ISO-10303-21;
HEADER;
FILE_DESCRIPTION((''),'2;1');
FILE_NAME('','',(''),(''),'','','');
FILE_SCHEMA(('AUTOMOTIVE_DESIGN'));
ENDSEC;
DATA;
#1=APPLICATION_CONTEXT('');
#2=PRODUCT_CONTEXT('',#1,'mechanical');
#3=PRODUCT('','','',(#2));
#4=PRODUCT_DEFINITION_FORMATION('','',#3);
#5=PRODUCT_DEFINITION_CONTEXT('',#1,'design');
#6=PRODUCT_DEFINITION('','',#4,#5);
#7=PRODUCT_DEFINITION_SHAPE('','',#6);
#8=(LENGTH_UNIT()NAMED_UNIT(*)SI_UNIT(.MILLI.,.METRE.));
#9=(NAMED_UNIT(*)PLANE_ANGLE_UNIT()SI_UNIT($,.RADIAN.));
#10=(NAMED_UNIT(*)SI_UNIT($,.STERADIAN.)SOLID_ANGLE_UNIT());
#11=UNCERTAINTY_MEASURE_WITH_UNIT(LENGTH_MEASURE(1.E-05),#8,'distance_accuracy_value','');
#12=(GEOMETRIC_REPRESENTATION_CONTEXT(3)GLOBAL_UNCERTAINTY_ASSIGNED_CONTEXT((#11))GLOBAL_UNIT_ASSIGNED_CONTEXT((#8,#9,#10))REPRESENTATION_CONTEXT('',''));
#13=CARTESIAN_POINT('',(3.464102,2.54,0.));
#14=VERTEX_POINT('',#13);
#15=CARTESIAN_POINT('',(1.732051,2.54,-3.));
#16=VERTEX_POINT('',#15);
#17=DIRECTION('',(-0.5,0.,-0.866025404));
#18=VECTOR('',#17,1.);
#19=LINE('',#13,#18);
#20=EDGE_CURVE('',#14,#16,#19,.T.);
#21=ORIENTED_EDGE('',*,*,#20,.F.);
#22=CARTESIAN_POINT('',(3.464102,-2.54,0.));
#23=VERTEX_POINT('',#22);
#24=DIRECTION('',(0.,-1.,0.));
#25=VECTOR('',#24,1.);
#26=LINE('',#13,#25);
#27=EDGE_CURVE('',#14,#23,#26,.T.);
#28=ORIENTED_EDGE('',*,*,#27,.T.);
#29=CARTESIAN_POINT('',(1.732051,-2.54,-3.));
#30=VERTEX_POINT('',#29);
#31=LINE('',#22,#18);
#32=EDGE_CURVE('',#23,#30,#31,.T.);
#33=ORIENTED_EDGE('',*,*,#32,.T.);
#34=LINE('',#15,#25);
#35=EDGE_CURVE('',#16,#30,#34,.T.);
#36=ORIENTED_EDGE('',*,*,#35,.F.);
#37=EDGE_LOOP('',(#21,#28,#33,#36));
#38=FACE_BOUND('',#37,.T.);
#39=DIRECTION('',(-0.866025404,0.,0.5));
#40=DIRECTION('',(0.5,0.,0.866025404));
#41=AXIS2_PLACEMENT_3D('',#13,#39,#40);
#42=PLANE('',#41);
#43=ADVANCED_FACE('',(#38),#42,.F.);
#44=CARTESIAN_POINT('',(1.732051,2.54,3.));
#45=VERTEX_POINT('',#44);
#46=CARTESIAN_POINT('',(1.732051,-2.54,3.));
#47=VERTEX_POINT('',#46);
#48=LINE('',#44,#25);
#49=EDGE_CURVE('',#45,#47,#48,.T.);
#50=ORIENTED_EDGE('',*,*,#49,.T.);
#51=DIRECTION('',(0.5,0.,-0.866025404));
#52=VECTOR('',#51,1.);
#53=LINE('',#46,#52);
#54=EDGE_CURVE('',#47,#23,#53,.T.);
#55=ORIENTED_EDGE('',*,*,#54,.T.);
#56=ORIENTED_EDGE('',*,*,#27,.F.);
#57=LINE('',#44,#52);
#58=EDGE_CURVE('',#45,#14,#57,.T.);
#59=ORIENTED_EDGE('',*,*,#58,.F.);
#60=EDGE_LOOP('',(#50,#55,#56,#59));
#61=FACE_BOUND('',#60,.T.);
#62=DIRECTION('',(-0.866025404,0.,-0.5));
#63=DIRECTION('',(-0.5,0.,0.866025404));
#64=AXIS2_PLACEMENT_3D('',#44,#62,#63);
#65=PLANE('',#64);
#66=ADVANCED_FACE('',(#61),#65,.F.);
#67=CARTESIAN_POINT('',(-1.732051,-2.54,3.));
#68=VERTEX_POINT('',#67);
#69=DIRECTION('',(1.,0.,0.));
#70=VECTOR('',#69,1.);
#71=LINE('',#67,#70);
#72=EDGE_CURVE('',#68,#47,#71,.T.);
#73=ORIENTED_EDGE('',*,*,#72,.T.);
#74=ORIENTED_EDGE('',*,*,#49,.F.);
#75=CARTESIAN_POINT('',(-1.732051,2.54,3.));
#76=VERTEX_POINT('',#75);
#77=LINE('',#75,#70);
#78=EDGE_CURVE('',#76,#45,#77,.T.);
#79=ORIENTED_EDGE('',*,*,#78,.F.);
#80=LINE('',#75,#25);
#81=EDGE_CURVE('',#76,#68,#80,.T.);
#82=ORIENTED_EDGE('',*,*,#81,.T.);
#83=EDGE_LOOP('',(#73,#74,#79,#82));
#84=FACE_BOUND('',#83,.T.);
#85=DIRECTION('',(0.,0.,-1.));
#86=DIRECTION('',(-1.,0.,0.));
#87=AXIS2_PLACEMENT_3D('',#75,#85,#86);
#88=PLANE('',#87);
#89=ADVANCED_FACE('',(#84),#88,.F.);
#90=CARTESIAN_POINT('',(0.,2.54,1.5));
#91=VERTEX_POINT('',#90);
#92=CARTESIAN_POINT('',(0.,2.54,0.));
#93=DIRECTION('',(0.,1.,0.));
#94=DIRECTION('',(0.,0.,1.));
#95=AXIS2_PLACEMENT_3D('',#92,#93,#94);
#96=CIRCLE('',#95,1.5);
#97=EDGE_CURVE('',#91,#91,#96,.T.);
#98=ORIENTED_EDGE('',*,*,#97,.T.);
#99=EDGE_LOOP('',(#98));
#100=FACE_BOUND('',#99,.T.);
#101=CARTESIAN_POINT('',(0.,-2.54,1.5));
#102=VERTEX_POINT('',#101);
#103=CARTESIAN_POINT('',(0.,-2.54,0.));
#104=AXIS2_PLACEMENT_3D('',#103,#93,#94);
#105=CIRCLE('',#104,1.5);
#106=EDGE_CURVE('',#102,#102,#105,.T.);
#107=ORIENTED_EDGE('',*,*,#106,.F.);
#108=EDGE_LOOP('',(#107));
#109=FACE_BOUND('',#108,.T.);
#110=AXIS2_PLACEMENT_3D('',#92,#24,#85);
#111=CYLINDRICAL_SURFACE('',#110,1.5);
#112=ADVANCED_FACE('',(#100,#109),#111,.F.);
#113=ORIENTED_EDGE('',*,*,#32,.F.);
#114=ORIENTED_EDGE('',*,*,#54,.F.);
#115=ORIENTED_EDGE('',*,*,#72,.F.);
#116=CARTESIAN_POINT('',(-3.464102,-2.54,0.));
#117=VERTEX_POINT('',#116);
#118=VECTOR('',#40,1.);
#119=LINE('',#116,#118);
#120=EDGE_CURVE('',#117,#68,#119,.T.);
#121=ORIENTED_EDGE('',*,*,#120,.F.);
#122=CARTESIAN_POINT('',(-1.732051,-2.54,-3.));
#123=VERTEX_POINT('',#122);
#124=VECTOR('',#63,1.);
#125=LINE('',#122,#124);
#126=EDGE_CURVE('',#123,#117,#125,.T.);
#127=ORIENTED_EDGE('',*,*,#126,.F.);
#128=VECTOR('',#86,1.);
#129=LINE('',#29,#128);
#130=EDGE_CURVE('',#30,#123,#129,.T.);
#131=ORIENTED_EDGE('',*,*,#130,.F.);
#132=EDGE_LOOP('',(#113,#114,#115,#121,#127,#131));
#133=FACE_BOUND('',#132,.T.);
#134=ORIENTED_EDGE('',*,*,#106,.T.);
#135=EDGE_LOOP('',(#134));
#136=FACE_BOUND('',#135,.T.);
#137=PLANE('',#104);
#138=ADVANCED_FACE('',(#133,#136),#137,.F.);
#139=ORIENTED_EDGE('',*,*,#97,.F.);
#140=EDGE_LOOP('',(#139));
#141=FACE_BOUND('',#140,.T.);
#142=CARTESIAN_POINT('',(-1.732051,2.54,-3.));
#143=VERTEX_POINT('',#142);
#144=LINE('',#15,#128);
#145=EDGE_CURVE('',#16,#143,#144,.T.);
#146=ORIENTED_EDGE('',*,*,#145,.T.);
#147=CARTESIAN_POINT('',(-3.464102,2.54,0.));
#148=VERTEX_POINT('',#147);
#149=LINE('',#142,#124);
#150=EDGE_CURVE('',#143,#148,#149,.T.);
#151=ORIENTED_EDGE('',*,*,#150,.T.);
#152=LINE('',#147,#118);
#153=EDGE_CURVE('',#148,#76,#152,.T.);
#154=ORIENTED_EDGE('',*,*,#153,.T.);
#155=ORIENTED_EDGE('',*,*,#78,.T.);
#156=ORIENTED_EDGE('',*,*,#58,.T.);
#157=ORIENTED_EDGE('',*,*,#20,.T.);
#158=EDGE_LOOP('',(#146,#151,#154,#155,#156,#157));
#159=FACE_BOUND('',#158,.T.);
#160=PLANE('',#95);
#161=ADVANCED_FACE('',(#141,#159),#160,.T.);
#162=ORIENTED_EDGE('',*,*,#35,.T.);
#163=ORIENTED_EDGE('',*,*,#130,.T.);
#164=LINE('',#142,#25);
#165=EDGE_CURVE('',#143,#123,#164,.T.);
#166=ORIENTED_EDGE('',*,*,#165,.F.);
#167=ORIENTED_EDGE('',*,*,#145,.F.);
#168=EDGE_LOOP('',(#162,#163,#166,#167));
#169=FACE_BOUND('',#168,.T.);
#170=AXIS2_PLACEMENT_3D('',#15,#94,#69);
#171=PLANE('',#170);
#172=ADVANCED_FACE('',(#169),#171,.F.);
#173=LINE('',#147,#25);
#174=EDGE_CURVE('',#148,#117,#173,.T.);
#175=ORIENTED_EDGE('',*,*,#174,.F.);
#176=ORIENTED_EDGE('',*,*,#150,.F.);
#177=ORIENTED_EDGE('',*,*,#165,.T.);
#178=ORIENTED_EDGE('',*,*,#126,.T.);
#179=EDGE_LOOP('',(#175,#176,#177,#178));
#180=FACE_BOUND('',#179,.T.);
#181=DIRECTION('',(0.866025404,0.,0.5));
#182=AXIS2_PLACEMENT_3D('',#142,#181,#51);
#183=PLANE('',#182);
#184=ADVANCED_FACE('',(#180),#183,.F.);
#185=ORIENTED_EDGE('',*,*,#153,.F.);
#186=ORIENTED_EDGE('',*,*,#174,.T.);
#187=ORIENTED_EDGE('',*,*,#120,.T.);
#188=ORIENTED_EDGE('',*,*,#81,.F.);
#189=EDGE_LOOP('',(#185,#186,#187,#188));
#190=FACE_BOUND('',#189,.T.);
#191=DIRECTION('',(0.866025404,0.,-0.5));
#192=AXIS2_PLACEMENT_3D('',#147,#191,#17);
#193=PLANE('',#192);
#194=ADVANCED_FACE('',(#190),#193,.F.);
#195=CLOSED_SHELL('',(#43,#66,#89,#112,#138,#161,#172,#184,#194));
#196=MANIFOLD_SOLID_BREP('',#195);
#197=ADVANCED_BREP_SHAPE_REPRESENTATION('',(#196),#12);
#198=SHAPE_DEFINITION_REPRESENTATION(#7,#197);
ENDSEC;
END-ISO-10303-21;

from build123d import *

# Parameters (mm, degrees)
SKETCH1_R           = 1.5
BOSS_EXTRUDE1_DEPTH = 2.54


with BuildPart() as part:
    # Sketch1 → Boss-Extrude1 (new, symmetric)
    with BuildSketch(Plane(origin=(0, 0, 0), x_dir=(1, 0, 0), z_dir=(0, 1, 0))):
        Polygon((-1.732050808, -3), (1.732050808, -3), (3.464101615, 0), (1.732050808, 3), (-1.732050808, 3), (-3.464101615, 0), align=None)
        with Locations(Location((0, 0, 0), (0, 0, 270))):
            Circle(SKETCH1_R, mode=Mode.SUBTRACT)
    extrude(amount=BOSS_EXTRUDE1_DEPTH, both=True)


solid = part.part
